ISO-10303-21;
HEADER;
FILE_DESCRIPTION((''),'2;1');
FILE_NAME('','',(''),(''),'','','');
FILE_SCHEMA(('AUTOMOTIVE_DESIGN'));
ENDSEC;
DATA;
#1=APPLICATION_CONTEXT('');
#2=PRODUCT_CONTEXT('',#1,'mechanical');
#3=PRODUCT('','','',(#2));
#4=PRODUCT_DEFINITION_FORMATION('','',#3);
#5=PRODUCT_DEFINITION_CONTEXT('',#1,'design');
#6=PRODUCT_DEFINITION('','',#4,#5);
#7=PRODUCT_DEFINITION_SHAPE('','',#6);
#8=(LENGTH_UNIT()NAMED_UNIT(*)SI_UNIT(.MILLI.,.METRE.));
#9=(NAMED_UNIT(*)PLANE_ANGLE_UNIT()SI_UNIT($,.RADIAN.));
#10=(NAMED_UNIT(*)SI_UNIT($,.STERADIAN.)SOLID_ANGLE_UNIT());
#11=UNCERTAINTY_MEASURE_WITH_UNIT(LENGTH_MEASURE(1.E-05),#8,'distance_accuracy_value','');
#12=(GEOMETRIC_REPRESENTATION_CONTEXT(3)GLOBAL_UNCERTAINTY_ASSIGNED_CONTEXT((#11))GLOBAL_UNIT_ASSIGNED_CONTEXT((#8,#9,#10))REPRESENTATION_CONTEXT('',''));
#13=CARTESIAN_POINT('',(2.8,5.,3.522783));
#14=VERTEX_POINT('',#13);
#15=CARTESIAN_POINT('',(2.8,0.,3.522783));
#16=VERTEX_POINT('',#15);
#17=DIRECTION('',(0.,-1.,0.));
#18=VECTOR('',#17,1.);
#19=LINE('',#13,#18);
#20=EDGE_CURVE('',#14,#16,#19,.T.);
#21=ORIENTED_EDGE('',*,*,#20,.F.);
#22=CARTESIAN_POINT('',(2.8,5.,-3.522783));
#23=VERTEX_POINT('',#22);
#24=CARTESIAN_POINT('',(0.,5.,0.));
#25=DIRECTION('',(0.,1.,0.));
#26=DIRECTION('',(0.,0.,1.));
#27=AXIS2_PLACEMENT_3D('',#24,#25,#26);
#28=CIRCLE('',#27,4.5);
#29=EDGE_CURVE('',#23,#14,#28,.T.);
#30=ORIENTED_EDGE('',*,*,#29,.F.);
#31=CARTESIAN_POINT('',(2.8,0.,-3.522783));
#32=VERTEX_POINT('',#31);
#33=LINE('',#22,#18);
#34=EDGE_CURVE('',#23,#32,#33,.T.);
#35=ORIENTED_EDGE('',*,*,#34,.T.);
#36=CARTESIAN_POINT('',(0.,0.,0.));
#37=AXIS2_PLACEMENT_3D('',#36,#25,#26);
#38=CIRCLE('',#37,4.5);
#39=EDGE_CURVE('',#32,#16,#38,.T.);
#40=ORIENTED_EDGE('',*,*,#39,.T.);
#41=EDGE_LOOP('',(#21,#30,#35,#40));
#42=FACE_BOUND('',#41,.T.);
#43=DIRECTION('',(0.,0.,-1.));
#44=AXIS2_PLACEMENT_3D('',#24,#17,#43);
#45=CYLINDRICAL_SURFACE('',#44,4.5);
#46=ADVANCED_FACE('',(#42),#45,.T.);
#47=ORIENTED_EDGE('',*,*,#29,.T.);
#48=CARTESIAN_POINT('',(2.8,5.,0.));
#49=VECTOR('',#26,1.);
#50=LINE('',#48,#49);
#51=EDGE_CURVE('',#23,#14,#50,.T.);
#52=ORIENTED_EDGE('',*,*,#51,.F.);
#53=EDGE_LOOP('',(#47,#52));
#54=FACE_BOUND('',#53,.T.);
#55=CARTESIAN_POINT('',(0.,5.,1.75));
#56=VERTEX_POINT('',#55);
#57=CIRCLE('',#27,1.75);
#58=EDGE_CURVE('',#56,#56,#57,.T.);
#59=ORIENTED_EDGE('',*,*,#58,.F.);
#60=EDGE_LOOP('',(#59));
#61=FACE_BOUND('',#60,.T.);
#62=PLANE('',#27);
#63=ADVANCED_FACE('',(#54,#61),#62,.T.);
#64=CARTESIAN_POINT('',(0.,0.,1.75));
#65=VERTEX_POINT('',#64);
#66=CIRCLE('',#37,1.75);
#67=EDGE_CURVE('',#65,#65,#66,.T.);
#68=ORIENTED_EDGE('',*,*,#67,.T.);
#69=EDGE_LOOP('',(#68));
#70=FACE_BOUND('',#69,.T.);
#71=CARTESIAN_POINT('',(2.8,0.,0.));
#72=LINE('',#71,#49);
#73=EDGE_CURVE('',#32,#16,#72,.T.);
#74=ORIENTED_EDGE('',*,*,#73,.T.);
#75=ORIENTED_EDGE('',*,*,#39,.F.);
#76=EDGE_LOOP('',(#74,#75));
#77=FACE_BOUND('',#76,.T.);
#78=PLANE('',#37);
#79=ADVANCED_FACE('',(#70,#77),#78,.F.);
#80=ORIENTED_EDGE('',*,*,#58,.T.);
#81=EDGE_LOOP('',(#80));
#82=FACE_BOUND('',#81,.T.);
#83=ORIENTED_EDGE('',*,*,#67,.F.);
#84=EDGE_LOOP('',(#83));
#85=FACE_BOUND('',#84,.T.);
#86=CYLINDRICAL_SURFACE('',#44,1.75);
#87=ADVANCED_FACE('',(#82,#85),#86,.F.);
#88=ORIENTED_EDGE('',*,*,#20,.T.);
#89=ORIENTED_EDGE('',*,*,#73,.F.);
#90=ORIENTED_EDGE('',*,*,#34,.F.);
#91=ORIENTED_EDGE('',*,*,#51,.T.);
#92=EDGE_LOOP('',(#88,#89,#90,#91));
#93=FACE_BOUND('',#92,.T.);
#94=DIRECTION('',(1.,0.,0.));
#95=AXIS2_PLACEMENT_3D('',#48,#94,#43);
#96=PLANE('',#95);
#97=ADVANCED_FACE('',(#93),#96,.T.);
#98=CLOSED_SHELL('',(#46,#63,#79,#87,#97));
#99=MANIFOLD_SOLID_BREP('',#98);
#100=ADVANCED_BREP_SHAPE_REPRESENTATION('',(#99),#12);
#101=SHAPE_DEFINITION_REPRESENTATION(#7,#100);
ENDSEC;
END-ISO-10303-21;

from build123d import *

# Parameters (mm, degrees)
SKETCH_2_R      = 1.75
EXTRUDE_1_DEPTH = 5


with BuildPart() as part:
    # 草图2 → 凸台-拉伸1 (new body)
    with BuildSketch(Plane(origin=(0, 0, 0), x_dir=(1, 0, 0), z_dir=(0, 1, 0))):
        with BuildLine():
            Line((2.8, -3.522782991), (2.8, 3.522782991))
            ThreePointArc((2.8, 3.522782991), (-4.5, 0), (2.8, -3.522782991))
        make_face()
        with Locations(Location((0, 0, 0), (0, 0, 270))):
            Circle(SKETCH_2_R, mode=Mode.SUBTRACT)
    extrude(amount=EXTRUDE_1_DEPTH)


solid = part.part
